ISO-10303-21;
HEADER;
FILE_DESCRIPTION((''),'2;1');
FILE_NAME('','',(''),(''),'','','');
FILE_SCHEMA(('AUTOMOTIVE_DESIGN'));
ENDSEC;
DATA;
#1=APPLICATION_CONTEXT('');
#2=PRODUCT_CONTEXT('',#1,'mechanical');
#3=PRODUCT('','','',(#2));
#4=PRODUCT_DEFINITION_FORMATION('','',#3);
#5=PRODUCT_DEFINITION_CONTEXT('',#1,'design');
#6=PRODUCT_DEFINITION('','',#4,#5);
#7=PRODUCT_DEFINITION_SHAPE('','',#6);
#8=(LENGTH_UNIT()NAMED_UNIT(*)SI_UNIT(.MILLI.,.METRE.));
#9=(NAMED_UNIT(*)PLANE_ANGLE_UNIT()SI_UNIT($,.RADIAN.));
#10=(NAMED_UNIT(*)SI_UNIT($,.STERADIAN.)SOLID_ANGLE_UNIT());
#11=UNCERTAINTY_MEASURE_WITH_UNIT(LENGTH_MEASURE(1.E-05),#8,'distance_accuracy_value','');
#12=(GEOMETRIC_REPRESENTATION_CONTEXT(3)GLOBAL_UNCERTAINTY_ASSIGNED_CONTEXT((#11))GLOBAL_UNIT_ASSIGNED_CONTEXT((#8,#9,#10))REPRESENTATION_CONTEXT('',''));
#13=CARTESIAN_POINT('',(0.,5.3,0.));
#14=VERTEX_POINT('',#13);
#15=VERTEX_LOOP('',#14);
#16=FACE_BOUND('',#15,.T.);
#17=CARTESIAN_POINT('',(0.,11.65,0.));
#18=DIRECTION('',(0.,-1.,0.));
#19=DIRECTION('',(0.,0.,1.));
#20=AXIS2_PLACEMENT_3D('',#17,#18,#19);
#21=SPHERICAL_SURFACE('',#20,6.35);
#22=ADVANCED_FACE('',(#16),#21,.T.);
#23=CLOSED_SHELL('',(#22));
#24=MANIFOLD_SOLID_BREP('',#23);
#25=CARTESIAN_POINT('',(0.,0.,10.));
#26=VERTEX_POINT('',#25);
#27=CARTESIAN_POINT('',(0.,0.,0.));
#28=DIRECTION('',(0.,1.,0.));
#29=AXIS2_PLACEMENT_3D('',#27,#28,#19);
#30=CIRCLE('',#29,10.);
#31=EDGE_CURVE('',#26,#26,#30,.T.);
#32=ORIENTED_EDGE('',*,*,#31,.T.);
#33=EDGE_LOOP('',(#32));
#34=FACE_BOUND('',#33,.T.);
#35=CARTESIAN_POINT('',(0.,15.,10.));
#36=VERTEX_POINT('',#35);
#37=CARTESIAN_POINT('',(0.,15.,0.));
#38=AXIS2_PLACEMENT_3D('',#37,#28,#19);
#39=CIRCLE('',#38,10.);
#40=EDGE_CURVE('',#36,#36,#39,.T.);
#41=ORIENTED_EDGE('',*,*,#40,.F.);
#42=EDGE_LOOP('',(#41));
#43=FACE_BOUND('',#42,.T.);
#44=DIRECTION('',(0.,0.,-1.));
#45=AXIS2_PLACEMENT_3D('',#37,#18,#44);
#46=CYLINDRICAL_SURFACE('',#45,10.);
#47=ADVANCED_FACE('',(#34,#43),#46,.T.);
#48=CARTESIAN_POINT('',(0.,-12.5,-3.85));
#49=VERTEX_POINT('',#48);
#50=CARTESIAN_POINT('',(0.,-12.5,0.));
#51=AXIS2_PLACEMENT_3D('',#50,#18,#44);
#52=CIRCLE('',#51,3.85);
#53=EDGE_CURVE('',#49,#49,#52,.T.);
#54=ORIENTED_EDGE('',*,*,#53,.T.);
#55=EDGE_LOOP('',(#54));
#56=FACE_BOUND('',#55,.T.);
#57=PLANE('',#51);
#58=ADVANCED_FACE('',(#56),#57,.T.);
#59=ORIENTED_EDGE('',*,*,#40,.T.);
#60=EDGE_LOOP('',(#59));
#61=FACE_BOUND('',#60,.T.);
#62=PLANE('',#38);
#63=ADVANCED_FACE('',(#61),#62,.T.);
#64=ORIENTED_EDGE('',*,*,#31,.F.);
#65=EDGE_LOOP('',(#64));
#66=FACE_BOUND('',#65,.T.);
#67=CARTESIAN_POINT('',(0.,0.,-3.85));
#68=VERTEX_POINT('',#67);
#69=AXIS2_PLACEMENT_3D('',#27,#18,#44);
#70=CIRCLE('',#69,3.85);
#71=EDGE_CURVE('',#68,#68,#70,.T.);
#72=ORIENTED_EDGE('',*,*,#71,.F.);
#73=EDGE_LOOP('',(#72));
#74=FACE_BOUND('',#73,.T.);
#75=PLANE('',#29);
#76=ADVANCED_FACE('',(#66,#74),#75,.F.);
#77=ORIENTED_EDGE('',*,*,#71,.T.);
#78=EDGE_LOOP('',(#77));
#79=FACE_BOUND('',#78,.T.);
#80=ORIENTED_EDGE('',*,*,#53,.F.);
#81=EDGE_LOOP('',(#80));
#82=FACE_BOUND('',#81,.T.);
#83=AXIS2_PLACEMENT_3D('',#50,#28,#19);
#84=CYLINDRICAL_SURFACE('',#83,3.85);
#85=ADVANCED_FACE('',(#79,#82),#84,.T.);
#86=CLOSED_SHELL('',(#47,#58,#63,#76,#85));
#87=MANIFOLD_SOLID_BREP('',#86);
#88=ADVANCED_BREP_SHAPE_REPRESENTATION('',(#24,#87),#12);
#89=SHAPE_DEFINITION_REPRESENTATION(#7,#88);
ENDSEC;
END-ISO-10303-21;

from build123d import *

# Parameters (mm, degrees)
ESQUISSE1_R        = 10
BOSS_EXTRU_1_DEPTH = 15
ESQUISSE3_R        = 3.85
BOSS_EXTRU_2_DEPTH = 12.5


with BuildPart() as part:
    # Esquisse1 → Boss.-Extru.1 (new body)
    with BuildSketch(Plane(origin=(0, 0, 0), x_dir=(1, 0, 0), z_dir=(0, 1, 0))):
        with Locations(Location((0, 0, 0), (0, 0, 270))):
            Circle(ESQUISSE1_R)
    extrude(amount=BOSS_EXTRU_1_DEPTH)

    # Esquisse3 → Boss.-Extru.2 (add)
    with BuildSketch(Plane.XZ):
        with Locations(Location((0, 0, 0), (0, 0, 270))):
            Circle(ESQUISSE3_R)
    extrude(amount=BOSS_EXTRU_2_DEPTH)


with BuildPart() as body_2:
    # Esquisse2 → Révolution6 (revolve)
    with BuildSketch(Plane(origin=(0, 0, 0), x_dir=(0, 0, -1), z_dir=(1, 0, 0))):
        with BuildLine():
            Line((0, 5.3), (0, 18))
            ThreePointArc((0, 18), (-6.35, 11.65), (0, 5.3))
        make_face()
    revolve(axis=Axis((0, 0, 0), (0, 1, 0)))


solid = Compound([part.part, body_2.part])
